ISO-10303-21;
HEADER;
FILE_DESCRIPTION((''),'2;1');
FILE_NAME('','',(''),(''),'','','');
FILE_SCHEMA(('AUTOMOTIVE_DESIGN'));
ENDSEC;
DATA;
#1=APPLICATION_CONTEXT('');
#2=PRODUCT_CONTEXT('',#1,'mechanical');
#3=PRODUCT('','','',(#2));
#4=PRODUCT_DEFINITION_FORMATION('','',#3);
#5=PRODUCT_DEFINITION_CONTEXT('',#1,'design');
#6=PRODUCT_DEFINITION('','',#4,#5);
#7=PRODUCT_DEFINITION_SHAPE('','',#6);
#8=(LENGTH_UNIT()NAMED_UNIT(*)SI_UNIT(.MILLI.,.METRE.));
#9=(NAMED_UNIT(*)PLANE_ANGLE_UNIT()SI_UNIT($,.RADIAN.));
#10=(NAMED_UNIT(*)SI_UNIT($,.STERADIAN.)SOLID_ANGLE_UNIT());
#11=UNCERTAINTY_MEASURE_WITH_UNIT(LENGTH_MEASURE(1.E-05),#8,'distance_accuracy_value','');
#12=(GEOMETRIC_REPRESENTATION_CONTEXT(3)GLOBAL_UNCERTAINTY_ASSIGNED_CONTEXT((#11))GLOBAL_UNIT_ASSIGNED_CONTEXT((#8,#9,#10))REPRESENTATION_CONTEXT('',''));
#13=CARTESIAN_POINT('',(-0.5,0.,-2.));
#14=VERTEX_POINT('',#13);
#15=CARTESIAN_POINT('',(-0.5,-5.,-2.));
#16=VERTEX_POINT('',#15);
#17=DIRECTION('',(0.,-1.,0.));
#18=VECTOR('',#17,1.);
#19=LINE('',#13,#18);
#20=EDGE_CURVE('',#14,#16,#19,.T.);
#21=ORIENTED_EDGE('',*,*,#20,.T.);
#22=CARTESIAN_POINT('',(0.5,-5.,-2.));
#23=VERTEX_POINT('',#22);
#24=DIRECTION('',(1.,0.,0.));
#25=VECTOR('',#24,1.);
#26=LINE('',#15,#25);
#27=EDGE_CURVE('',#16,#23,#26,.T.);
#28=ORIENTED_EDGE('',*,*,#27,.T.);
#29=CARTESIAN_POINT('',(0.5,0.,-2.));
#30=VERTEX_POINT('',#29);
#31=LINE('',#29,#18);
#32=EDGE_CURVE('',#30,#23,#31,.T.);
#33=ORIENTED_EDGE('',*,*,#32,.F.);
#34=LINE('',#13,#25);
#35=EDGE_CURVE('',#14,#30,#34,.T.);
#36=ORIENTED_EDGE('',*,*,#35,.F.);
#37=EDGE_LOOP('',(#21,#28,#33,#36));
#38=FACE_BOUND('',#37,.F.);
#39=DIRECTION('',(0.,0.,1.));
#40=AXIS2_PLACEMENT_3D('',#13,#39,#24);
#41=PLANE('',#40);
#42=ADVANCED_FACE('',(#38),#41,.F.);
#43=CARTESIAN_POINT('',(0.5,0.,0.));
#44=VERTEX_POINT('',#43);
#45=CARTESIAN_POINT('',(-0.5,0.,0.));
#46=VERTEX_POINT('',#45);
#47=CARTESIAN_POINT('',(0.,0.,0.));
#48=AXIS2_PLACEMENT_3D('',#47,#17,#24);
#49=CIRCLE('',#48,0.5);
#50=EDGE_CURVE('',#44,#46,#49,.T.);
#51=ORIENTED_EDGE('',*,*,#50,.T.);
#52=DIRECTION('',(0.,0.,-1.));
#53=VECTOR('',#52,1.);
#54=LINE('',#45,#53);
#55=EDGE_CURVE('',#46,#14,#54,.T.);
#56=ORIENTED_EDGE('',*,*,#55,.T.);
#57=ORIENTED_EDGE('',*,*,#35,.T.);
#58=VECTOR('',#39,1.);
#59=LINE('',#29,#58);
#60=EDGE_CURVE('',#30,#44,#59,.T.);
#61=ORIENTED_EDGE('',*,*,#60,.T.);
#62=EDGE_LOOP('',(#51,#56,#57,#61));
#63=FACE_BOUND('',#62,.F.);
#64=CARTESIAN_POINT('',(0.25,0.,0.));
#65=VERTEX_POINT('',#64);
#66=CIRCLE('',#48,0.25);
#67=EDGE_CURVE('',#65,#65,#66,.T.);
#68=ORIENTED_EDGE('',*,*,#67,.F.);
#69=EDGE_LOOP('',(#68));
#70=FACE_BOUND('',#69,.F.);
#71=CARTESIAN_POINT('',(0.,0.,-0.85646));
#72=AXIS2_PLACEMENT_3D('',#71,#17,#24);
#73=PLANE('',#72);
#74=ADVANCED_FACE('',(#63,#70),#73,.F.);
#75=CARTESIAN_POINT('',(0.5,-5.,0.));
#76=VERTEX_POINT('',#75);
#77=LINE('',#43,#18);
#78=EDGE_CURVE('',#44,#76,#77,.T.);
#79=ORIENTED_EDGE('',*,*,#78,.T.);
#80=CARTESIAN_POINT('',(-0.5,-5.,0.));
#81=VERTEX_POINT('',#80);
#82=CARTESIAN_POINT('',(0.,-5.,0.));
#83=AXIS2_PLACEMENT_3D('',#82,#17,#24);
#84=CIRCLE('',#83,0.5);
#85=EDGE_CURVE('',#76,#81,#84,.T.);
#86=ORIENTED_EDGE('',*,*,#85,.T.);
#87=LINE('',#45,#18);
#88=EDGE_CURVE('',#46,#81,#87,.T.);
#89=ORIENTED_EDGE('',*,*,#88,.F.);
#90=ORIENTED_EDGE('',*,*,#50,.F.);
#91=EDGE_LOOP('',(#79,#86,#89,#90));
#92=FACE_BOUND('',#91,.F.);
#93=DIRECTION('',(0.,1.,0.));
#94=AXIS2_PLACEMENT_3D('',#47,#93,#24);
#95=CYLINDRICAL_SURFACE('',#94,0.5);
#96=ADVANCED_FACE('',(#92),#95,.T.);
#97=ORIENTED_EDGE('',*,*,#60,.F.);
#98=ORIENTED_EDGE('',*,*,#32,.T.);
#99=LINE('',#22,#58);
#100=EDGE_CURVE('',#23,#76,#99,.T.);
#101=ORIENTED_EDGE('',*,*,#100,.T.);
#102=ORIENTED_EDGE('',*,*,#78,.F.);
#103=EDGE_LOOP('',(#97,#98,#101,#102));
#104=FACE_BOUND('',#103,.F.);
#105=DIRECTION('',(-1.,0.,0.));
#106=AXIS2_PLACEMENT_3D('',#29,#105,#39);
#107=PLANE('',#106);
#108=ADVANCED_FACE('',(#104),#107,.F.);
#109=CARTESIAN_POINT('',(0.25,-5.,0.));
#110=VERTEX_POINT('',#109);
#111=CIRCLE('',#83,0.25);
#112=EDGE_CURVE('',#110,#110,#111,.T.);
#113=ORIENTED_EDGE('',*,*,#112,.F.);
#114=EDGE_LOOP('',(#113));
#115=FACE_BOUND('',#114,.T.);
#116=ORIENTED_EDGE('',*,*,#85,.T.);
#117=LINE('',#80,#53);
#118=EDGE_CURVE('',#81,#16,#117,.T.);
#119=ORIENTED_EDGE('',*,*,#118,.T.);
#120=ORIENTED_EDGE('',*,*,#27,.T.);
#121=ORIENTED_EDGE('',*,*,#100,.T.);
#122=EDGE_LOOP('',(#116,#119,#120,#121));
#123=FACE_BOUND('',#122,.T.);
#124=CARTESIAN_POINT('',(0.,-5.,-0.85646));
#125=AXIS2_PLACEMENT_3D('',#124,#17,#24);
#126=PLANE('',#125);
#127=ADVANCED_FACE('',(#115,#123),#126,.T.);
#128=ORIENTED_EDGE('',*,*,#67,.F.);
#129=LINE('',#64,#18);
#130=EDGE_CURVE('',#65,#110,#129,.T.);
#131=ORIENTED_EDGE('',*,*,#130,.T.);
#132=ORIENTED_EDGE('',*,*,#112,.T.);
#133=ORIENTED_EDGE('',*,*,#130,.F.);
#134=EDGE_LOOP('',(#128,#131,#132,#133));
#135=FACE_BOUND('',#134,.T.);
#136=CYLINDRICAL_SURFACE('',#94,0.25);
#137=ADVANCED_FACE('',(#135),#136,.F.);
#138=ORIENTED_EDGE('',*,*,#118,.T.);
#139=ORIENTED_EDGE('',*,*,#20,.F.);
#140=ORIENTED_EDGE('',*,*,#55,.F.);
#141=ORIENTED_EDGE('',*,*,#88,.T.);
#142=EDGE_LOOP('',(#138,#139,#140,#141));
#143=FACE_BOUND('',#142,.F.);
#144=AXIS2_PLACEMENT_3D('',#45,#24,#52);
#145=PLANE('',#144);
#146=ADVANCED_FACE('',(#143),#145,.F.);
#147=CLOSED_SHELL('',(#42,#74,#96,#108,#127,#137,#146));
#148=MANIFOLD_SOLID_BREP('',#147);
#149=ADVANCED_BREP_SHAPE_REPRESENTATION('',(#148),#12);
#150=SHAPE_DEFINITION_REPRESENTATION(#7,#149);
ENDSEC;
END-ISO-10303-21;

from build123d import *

# Parameters (mm, degrees)
F0_R     = 0.25
F1_DEPTH = 5


with BuildPart() as f1:
    # F0 (on Front) → F1 (new body)
    with BuildSketch(Plane.XZ):
        with BuildLine():
            ThreePointArc((0.5, 0), (0, 0.5), (-0.5, 0))
            Line((-0.5, 0), (-0.5, -2))
            Line((-0.5, -2), (0.5, -2))
            Line((0.5, -2), (0.5, 0))
        make_face()
        Circle(F0_R, mode=Mode.SUBTRACT)
    extrude(amount=F1_DEPTH)


solid = f1.part
